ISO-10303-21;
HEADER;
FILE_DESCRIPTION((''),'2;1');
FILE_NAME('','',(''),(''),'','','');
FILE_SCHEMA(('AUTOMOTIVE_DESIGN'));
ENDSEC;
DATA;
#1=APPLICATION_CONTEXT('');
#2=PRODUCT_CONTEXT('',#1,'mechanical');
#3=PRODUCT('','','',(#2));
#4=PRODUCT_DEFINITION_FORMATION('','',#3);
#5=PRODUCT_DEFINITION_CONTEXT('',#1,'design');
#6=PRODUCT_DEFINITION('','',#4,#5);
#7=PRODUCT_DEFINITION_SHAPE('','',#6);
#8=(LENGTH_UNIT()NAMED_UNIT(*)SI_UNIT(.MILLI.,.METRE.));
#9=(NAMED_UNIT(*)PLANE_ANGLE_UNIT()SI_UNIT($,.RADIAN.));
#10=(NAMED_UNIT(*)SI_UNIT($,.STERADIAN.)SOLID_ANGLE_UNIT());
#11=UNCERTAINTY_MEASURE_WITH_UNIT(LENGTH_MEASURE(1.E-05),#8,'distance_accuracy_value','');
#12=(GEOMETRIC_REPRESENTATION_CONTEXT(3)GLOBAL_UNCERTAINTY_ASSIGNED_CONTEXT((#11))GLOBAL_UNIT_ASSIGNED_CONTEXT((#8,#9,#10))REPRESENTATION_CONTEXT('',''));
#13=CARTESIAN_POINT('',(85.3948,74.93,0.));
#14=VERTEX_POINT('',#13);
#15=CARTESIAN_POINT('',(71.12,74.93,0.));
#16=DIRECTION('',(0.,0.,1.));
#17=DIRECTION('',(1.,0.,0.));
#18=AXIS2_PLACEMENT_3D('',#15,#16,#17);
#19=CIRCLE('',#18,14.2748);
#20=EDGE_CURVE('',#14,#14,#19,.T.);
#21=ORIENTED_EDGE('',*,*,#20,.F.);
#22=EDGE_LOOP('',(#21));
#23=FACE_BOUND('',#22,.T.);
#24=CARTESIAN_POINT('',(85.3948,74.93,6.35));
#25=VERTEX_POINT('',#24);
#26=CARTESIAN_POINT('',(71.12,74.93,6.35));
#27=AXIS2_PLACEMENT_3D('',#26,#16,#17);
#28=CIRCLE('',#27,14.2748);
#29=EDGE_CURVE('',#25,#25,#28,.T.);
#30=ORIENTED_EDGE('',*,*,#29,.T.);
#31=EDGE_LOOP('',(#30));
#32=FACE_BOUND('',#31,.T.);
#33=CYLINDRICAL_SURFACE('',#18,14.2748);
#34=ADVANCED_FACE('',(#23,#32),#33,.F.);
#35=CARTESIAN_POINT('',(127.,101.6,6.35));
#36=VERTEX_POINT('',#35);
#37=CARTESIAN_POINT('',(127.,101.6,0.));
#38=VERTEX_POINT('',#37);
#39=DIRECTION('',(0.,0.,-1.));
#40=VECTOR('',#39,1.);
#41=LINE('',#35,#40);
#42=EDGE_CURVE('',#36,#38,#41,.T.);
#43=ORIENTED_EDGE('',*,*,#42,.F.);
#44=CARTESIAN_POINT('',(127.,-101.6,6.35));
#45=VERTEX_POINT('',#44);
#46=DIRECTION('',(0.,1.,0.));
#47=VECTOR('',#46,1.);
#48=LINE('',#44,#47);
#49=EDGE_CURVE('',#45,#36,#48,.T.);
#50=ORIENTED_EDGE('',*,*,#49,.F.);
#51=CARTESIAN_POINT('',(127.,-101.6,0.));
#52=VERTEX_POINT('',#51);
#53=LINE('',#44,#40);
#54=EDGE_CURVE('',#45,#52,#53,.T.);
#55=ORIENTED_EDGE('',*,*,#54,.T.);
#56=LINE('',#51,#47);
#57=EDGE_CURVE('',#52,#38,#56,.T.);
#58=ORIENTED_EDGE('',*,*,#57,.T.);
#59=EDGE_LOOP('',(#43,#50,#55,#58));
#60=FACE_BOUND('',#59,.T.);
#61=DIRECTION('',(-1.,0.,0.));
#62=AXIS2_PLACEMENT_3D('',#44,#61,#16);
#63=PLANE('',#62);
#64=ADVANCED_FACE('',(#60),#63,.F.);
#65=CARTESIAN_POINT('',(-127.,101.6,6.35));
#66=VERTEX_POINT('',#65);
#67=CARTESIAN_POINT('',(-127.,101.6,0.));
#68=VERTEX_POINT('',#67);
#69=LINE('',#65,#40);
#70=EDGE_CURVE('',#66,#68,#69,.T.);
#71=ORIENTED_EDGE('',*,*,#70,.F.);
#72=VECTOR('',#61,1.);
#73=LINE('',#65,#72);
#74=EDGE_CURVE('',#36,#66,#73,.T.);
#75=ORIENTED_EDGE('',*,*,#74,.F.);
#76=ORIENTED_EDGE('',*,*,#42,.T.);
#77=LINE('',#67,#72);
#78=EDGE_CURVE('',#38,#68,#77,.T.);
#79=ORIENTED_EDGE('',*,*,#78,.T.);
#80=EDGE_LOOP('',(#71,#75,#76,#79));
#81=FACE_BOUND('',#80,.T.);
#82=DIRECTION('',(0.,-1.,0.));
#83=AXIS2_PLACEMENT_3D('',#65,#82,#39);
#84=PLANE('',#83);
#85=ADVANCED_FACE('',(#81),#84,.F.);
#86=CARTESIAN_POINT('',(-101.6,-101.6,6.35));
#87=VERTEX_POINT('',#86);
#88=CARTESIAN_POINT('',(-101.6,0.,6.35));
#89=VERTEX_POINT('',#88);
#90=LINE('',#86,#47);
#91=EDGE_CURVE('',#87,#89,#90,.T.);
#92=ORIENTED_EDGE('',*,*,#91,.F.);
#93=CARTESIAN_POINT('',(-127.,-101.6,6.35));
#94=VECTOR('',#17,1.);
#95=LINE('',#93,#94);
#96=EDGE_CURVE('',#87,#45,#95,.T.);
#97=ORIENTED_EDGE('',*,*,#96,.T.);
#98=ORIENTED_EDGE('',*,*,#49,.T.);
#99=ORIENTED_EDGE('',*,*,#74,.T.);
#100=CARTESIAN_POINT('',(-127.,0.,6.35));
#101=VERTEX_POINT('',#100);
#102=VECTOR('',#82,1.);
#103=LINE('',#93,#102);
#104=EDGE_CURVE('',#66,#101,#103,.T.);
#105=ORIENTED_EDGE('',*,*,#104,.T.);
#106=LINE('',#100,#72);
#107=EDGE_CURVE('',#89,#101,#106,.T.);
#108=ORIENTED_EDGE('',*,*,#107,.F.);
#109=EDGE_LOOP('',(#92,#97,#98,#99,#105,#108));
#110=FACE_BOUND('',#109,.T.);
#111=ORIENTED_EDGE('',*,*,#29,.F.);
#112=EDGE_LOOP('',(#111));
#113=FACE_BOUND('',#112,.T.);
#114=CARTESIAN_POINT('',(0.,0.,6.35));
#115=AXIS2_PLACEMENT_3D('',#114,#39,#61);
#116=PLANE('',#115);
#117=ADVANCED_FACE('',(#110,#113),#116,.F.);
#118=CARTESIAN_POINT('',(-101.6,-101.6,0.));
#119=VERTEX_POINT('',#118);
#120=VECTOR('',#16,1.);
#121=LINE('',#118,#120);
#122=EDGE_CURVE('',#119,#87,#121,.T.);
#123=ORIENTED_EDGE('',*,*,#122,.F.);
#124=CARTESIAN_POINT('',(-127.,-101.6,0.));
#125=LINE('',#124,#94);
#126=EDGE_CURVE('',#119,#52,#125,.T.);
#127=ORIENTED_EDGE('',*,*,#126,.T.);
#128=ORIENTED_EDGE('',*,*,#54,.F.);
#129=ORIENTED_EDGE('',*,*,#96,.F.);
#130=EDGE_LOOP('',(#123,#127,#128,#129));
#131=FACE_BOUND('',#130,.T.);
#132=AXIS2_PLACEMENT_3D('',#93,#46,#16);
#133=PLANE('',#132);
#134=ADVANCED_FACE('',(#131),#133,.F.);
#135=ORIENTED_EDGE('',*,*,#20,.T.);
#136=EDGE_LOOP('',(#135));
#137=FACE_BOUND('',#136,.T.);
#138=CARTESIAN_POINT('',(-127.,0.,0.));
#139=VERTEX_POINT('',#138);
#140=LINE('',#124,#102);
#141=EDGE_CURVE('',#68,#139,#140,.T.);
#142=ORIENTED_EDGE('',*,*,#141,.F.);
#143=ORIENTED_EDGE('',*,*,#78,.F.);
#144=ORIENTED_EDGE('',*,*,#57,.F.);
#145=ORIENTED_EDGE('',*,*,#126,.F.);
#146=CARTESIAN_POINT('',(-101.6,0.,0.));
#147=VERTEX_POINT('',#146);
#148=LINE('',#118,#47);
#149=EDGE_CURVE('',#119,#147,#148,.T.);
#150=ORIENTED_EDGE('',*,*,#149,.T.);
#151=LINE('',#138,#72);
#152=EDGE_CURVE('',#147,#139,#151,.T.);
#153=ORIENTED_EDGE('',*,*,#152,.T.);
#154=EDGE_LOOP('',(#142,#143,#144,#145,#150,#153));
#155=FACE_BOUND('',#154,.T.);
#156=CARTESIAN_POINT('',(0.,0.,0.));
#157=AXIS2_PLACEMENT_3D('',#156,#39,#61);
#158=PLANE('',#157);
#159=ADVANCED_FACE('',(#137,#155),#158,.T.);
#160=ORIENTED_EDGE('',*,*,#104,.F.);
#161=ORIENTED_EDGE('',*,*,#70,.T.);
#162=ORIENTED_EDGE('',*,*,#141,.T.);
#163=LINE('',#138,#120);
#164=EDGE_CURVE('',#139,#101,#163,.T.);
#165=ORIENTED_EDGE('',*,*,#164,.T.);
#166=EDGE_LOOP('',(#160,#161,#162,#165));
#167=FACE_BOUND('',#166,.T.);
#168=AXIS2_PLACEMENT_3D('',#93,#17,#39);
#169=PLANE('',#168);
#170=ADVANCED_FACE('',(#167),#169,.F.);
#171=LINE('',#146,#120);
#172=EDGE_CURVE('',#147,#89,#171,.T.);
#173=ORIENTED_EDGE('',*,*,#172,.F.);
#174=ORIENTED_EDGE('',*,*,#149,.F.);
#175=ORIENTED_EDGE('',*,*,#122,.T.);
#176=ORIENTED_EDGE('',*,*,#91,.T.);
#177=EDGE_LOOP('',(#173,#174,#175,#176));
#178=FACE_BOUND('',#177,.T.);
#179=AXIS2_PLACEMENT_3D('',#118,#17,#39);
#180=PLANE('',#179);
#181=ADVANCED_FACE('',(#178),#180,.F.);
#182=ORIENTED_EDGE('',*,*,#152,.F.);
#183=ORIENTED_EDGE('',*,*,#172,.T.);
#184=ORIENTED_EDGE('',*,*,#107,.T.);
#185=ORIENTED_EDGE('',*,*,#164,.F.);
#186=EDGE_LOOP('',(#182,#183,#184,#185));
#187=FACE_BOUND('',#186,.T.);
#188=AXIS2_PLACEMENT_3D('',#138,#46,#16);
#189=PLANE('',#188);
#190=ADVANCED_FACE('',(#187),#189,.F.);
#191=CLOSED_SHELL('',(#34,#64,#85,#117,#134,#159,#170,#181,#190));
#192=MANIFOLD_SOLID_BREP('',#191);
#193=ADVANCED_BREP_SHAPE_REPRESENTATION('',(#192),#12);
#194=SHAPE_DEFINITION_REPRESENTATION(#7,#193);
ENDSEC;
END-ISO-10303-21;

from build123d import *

# Parameters (mm, degrees)
SKETCH1_W           = 254
SKETCH1_H           = 203.2
BOSS_EXTRUDE1_DEPTH = 6.35
SKETCH2_R           = 14.2748
SKETCH2_W           = 25.4
SKETCH2_H           = 101.6
CUT_EXTRUDE1_DEPTH  = 163.763271348


with BuildPart() as part:
    # Sketch1 → Boss-Extrude1 (new body)
    with BuildSketch(Plane.XY):
        Rectangle(SKETCH1_W, SKETCH1_H)
    extrude(amount=BOSS_EXTRUDE1_DEPTH)

    # Sketch2 → Cut-Extrude1 (cut, through all)
    with BuildSketch(Plane.XY.offset(6.35)):
        with Locations((71.12, 74.93)):
            Circle(SKETCH2_R)
        with Locations((-114.3, -50.8)):
            Rectangle(SKETCH2_W, SKETCH2_H)
    extrude(amount=-CUT_EXTRUDE1_DEPTH, mode=Mode.SUBTRACT)


solid = part.part
